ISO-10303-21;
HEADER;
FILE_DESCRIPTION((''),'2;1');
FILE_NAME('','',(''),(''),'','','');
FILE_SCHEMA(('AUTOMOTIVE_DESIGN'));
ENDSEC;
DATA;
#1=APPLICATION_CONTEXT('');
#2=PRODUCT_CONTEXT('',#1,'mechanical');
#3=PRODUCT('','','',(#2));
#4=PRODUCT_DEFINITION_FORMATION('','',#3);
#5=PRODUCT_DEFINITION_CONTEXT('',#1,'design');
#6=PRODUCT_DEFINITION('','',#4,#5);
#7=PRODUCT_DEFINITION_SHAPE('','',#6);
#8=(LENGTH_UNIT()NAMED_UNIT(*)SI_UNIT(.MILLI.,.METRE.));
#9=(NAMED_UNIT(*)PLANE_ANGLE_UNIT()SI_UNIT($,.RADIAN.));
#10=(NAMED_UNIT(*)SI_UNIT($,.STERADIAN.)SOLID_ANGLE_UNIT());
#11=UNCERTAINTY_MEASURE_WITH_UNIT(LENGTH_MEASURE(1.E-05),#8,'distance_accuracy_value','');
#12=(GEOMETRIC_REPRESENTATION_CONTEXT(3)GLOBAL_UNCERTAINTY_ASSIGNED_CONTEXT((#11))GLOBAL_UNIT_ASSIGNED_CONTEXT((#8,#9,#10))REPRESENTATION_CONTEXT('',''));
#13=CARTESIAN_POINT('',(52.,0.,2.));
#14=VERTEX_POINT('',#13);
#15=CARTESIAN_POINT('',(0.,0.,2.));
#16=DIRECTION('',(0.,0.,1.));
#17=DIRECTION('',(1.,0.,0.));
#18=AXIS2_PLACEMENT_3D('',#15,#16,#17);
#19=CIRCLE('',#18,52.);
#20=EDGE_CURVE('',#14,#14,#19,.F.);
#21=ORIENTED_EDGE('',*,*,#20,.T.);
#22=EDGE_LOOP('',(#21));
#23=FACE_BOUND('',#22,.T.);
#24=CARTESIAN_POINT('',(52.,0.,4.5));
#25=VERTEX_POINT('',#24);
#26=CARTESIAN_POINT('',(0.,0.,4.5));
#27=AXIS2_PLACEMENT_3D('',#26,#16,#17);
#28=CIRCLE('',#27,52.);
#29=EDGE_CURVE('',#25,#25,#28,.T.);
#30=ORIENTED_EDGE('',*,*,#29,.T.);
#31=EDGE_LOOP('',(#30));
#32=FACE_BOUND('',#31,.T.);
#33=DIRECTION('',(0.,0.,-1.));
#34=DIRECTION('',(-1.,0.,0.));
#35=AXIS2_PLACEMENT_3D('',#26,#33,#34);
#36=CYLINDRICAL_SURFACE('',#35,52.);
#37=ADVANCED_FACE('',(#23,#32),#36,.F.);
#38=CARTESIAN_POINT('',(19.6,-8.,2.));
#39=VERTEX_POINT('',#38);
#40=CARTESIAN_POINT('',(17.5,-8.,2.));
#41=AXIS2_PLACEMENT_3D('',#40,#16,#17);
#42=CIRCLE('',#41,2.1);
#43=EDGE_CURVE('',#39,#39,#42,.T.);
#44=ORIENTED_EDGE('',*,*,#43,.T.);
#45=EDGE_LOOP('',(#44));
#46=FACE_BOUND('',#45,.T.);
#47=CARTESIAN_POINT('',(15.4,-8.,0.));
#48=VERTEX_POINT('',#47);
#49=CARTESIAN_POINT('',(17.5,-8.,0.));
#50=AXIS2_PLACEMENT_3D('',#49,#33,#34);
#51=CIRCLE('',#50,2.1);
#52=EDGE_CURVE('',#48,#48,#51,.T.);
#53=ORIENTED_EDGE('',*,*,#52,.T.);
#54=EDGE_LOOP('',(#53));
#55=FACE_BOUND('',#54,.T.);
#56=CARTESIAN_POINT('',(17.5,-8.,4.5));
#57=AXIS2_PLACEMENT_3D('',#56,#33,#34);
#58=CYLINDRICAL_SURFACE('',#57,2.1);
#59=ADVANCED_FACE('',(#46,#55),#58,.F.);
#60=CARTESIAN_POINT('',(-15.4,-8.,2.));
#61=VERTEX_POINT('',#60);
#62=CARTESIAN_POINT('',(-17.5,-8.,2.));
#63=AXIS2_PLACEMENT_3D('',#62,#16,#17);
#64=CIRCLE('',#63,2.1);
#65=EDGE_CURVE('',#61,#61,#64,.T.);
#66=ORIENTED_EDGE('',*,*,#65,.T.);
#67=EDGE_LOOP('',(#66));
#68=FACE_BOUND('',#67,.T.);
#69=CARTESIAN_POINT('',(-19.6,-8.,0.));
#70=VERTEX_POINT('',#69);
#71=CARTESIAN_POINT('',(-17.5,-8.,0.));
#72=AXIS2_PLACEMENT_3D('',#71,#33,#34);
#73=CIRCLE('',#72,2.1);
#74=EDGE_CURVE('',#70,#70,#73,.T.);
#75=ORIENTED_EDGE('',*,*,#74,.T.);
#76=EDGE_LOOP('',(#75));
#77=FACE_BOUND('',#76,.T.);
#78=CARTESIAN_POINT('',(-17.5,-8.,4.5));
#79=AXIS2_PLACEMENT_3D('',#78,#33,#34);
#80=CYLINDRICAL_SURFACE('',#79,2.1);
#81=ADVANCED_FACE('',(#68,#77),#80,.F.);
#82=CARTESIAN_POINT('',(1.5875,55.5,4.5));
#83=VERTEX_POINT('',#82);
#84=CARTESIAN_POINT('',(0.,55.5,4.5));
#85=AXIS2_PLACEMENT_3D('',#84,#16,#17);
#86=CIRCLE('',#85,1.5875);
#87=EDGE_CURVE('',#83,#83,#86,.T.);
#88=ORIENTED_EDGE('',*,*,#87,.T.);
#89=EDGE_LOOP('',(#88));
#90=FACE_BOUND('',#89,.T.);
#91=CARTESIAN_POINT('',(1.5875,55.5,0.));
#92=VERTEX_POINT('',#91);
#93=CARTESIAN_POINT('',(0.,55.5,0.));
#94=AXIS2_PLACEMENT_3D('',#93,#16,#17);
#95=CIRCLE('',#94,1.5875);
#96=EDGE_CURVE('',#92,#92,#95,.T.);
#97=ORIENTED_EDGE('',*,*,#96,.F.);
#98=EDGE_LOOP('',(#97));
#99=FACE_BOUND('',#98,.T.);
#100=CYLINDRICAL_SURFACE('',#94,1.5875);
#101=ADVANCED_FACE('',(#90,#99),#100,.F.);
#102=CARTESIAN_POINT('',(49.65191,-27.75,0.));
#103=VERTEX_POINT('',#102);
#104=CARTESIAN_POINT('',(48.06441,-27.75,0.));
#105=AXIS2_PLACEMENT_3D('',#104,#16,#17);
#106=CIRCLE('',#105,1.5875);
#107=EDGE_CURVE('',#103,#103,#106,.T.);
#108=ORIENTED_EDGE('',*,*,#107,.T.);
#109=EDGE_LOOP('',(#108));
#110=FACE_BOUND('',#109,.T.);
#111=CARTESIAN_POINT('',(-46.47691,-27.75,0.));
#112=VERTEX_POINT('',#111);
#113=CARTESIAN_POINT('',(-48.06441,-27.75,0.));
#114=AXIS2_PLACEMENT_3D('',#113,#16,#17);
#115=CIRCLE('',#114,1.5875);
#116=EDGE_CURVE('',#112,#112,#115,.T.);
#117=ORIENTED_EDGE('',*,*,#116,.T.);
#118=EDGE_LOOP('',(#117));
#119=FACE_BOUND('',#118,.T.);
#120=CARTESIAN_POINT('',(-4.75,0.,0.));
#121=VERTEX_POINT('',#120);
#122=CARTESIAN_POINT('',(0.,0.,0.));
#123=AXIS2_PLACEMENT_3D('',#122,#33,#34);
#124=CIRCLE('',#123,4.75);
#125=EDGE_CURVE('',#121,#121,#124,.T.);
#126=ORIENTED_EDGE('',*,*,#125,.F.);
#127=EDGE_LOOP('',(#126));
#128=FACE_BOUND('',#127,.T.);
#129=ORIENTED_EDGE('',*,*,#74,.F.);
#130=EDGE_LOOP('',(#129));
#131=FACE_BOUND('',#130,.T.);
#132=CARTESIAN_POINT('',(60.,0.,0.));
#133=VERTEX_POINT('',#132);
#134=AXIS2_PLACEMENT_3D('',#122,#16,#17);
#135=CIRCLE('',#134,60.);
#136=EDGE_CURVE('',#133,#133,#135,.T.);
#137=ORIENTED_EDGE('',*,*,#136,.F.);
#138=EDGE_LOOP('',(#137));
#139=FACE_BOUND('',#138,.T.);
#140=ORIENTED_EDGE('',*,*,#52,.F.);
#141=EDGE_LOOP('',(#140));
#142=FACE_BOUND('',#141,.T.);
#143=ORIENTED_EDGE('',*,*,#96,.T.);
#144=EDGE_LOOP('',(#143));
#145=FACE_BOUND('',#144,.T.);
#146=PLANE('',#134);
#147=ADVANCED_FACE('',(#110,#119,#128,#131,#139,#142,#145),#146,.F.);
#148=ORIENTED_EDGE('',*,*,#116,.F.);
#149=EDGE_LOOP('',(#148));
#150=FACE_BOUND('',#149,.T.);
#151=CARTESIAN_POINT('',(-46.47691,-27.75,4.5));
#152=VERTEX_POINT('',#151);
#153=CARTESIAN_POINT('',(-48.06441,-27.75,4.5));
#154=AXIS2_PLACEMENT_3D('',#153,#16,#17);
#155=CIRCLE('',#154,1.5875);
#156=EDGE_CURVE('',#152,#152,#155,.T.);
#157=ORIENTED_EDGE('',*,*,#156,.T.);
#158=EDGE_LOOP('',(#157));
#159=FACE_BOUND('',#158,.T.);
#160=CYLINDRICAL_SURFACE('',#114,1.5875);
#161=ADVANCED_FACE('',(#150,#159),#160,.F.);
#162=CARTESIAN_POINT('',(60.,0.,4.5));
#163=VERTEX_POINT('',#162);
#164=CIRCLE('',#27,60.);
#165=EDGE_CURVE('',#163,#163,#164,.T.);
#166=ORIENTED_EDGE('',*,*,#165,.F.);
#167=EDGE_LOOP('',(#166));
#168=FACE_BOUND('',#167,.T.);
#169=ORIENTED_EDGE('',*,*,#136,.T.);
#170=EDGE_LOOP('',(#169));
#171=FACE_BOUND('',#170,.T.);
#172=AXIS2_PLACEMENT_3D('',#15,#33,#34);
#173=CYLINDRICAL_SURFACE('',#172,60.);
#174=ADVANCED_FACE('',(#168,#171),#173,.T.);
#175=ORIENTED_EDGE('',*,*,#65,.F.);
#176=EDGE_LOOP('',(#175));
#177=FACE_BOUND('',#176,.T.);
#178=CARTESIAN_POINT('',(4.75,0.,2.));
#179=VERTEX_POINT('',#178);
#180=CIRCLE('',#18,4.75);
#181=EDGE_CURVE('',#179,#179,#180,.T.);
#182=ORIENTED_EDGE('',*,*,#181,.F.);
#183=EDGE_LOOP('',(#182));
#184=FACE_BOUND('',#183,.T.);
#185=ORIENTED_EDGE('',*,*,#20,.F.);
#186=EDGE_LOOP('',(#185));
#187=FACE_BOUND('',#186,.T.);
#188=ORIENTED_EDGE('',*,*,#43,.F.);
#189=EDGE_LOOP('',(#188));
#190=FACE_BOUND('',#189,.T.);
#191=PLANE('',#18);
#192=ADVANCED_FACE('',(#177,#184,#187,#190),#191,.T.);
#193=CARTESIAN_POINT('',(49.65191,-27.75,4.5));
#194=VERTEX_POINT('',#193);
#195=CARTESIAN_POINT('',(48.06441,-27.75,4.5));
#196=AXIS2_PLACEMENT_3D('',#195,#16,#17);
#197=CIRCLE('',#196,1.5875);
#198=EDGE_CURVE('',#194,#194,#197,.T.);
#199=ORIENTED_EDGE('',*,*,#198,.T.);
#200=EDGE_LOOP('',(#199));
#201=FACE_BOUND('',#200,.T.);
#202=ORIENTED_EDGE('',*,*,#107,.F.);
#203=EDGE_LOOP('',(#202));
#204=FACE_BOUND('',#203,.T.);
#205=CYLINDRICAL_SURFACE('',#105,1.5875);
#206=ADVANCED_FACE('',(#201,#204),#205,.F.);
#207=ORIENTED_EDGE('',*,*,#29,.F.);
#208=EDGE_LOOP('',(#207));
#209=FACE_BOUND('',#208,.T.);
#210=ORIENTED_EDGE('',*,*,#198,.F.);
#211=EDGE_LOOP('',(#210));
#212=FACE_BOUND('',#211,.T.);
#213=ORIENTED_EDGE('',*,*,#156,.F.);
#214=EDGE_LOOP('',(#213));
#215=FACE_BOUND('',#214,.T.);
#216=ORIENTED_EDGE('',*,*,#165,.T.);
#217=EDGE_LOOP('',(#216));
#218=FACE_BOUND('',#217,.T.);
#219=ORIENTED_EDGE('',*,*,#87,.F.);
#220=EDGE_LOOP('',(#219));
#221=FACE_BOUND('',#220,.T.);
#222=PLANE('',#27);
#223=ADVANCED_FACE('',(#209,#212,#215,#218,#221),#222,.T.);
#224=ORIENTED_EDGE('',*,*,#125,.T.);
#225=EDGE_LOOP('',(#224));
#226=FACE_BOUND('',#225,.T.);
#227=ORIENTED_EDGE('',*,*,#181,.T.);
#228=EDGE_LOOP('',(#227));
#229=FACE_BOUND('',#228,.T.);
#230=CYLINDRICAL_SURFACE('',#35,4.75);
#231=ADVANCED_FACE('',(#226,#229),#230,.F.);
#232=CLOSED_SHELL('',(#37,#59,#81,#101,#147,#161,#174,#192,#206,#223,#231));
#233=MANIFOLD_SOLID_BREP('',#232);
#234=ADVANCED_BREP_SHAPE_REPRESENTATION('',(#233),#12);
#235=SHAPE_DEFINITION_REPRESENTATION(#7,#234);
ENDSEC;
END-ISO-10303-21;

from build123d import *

# Parameters (mm, degrees)
CROQUIS1_R              = 60
SALIENTE_EXTRUIR1_DEPTH = 2
CROQUIS2_R              = 60
CROQUIS2_R_2            = 52
SALIENTE_EXTRUIR2_DEPTH = 2.5
CROQUIS3_R              = 1.5875
CORTAR_EXTRUIR1_DEPTH   = 85.97205423
CROQUIS4_R              = 4.75
CORTAR_EXTRUIR2_DEPTH   = 85.97205423
CROQUIS5_R              = 2.1
CORTAR_EXTRUIR3_DEPTH   = 85.97205423


with BuildPart() as part:
    # Croquis1 → Saliente-Extruir1 (new body)
    with BuildSketch(Plane.XY):
        Circle(CROQUIS1_R)
    extrude(amount=SALIENTE_EXTRUIR1_DEPTH)

    # Croquis2 → Saliente-Extruir2 (add)
    with BuildSketch(Plane.XY.offset(2)):
        Circle(CROQUIS2_R)
        Circle(CROQUIS2_R_2, mode=Mode.SUBTRACT)
    extrude(amount=SALIENTE_EXTRUIR2_DEPTH)

    # Croquis3 → Cortar-Extruir1 (cut, through all)
    with BuildSketch(Plane.XY.offset(4.5)):
        with Locations((0, 55.5)):
            Circle(CROQUIS3_R)
        with Locations((48.06440991, -27.75)):
            Circle(CROQUIS3_R)
        with Locations((-48.06440991, -27.75)):
            Circle(CROQUIS3_R)
    extrude(amount=-CORTAR_EXTRUIR1_DEPTH, mode=Mode.SUBTRACT)

    # Croquis4 → Cortar-Extruir2 (cut, through all)
    with BuildSketch(Plane(origin=(0, 0, 0), x_dir=(-1, 0, 0), z_dir=(0, 0, -1))):
        Circle(CROQUIS4_R)
    extrude(amount=-CORTAR_EXTRUIR2_DEPTH, mode=Mode.SUBTRACT)

    # Croquis5 → Cortar-Extruir3 (cut, through all)
    with BuildSketch(Plane(origin=(0, 0, 0), x_dir=(-1, 0, 0), z_dir=(0, 0, -1))):
        with Locations((-17.5, -8)):
            Circle(CROQUIS5_R)
        with Locations((17.5, -8)):
            Circle(CROQUIS5_R)
    extrude(amount=-CORTAR_EXTRUIR3_DEPTH, mode=Mode.SUBTRACT)


solid = part.part
